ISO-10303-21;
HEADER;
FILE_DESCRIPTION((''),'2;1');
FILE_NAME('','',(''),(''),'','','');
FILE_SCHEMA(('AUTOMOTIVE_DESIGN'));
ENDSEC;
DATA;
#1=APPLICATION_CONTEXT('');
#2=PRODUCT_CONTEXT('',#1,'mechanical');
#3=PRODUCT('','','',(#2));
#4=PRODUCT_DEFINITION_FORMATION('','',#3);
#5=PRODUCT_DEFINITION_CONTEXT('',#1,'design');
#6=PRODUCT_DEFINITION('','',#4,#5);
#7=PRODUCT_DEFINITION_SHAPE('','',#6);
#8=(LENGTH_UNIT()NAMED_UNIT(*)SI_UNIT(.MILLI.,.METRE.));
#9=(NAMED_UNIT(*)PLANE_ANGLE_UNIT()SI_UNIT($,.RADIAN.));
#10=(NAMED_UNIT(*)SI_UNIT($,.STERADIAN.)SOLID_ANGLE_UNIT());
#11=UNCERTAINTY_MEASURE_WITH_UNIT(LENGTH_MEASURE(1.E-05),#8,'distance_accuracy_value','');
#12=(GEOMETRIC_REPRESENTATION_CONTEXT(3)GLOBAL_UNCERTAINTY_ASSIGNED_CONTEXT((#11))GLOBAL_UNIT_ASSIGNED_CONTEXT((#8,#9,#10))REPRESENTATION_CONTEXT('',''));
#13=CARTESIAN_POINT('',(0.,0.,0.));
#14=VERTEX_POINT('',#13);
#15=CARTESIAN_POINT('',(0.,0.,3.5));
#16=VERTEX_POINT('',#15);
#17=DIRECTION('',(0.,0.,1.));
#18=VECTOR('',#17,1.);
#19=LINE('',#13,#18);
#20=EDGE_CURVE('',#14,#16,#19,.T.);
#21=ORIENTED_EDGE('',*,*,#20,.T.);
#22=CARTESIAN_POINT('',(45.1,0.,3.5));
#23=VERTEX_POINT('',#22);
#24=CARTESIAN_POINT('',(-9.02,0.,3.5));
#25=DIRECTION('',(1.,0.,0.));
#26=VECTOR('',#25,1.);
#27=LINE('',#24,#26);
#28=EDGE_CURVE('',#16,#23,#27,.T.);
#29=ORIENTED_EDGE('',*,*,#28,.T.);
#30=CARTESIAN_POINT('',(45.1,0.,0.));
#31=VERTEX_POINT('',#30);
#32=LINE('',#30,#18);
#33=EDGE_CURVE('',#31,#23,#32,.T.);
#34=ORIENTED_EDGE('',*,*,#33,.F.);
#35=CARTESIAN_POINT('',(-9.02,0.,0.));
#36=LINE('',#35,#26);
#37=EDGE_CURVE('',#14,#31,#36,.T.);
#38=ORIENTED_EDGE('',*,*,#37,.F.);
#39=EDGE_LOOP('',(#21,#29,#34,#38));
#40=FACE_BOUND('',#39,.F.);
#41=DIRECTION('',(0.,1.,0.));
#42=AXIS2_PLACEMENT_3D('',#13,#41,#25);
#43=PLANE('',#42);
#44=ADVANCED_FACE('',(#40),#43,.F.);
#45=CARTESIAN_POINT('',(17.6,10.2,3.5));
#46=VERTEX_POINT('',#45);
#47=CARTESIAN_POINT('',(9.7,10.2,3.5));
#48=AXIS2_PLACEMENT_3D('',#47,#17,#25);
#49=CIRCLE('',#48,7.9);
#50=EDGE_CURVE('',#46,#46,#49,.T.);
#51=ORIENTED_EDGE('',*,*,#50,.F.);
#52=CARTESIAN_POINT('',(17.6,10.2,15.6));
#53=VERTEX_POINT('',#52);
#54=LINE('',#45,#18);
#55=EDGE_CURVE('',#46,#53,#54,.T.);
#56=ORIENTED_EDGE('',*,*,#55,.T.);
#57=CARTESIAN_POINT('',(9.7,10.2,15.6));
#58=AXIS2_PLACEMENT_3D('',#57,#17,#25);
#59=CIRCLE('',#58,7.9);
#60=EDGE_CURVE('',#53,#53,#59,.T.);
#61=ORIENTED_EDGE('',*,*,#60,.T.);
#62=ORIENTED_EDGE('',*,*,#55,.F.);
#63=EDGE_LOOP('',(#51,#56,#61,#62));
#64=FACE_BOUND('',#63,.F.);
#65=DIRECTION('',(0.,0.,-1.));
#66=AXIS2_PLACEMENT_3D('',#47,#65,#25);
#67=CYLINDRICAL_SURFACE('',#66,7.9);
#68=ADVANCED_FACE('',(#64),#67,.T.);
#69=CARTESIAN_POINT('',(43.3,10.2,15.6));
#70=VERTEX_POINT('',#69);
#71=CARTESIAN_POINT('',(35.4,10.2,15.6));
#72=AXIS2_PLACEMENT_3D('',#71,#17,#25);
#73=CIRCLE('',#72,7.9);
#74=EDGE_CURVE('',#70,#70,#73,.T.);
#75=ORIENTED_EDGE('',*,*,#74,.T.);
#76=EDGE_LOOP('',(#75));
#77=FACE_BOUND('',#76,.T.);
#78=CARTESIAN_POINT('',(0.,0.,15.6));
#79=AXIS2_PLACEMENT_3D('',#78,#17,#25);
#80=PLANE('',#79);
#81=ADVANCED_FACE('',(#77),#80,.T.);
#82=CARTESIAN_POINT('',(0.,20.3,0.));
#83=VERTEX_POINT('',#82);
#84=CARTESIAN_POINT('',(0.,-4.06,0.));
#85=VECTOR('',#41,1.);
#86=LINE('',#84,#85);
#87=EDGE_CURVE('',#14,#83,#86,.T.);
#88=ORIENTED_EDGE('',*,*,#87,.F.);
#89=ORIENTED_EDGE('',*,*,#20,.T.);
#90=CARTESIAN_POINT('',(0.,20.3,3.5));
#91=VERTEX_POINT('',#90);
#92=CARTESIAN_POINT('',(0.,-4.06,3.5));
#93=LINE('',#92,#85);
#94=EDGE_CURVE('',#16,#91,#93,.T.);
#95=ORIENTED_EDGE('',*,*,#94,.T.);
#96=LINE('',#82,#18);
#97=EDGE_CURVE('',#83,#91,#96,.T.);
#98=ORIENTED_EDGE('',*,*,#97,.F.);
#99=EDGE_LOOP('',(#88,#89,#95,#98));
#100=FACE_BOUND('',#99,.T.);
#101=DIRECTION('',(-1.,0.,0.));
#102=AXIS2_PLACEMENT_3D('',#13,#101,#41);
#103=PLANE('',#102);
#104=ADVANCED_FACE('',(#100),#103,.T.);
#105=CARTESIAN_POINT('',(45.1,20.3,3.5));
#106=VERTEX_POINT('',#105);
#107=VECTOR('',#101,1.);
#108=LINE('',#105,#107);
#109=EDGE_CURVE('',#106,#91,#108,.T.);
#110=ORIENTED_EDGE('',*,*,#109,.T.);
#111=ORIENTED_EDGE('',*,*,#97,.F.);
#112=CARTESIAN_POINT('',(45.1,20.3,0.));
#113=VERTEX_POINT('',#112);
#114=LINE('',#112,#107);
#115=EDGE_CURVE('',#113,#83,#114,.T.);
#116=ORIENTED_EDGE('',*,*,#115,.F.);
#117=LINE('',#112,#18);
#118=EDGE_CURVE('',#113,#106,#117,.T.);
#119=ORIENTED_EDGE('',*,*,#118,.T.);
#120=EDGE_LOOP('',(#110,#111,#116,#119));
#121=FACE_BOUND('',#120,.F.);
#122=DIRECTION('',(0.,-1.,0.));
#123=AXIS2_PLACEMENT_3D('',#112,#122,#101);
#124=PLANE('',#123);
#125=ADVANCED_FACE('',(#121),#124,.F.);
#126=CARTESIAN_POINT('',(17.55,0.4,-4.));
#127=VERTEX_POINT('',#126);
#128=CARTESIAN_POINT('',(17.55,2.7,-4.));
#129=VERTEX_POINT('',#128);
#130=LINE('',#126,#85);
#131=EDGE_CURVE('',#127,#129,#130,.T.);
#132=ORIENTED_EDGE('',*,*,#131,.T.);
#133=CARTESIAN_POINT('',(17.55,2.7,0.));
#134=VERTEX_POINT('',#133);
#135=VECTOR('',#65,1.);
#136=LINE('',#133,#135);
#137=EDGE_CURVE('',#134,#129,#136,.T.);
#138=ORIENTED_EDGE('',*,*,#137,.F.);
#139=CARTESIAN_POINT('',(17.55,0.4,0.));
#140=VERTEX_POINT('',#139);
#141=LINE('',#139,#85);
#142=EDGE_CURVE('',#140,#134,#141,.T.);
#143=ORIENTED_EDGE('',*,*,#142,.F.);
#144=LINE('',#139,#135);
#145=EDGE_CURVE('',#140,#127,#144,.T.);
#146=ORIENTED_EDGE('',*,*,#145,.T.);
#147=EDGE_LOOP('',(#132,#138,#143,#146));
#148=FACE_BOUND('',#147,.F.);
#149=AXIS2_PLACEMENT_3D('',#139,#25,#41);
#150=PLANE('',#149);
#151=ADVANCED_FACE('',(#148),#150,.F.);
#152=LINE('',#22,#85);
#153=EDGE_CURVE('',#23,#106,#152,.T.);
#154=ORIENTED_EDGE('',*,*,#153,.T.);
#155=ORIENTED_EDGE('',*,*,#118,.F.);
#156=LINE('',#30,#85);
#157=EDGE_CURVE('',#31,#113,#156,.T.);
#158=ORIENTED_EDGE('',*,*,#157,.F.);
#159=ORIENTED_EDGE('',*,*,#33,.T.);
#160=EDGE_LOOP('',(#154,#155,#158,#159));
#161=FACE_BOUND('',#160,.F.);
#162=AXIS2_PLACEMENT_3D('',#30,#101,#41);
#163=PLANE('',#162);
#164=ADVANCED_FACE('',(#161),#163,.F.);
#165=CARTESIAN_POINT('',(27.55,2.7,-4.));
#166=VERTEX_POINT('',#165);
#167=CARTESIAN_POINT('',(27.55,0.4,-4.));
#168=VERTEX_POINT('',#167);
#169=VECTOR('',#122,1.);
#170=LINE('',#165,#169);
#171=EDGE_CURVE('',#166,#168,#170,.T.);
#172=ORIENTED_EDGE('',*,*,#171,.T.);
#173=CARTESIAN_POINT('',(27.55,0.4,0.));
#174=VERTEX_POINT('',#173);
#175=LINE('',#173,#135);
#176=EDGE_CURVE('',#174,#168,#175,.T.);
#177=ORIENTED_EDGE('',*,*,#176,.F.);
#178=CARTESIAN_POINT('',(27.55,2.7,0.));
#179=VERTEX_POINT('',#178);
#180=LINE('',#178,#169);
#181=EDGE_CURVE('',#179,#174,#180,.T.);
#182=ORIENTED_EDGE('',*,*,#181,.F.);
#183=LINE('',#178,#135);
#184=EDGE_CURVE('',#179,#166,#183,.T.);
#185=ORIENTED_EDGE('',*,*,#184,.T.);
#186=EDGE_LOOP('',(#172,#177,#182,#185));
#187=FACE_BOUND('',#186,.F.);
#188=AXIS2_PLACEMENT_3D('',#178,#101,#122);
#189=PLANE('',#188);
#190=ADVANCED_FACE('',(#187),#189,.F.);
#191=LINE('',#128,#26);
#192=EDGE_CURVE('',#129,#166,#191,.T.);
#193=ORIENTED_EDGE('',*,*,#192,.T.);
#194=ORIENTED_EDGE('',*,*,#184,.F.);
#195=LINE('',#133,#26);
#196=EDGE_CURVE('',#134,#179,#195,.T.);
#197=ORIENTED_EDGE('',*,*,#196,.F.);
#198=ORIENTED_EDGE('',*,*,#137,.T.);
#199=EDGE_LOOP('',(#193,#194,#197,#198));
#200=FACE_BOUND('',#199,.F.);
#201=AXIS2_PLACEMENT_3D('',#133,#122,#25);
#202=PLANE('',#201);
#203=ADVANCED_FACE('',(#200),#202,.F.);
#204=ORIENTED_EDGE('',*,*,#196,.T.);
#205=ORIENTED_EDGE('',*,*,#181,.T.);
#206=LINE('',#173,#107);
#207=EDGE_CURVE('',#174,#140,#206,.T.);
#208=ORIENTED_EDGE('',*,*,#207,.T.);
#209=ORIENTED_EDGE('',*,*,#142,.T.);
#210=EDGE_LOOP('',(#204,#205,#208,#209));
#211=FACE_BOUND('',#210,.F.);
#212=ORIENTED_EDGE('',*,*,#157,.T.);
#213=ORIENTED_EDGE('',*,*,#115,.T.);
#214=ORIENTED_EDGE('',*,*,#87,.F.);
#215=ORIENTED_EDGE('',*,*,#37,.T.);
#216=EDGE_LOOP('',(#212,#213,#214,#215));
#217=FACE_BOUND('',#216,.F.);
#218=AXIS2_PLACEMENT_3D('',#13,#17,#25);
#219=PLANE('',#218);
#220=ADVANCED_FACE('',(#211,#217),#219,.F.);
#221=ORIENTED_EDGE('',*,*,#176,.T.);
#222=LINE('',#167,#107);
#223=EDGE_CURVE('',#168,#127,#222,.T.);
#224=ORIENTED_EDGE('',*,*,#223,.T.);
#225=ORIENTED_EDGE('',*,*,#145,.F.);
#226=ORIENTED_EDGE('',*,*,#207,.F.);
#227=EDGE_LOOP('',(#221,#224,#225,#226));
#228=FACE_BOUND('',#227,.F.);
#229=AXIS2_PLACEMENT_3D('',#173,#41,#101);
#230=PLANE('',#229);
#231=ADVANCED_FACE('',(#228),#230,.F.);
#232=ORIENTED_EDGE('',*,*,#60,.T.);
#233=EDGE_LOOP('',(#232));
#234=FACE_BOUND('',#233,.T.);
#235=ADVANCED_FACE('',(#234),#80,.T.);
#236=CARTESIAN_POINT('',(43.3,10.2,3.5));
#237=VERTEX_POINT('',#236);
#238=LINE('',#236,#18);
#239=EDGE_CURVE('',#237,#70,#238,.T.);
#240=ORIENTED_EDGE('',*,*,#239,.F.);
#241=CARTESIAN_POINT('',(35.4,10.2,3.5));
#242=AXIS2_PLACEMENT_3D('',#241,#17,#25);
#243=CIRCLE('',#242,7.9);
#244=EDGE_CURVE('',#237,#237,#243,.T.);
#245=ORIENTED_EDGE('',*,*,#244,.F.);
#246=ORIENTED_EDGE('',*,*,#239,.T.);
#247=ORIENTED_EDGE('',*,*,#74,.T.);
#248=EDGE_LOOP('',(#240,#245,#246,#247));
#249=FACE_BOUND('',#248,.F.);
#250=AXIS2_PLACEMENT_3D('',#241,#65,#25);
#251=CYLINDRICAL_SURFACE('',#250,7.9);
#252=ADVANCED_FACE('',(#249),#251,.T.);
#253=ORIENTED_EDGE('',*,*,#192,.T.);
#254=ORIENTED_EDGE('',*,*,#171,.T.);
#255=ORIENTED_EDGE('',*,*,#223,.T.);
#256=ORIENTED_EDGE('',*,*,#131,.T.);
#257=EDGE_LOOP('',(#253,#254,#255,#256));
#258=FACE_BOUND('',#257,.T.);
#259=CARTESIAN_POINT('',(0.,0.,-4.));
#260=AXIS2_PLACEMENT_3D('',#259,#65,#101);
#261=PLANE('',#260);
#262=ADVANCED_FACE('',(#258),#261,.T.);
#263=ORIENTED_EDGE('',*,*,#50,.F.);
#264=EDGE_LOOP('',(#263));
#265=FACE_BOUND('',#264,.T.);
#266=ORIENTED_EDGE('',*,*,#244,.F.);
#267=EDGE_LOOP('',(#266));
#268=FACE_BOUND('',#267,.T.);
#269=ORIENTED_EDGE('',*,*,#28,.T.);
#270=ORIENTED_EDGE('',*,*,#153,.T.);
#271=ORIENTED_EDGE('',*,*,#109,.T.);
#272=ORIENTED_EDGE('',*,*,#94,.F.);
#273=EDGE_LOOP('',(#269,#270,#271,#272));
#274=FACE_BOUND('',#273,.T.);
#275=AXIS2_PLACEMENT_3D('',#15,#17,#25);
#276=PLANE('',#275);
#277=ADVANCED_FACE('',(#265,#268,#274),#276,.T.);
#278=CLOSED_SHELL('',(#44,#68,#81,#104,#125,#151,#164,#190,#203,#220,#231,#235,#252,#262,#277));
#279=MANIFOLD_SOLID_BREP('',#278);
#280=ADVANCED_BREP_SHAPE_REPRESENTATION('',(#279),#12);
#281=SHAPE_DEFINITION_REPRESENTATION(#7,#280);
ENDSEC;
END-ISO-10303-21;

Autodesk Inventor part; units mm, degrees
ref_plane "YZ Plane" through (0, 0, 0) normal (1, 0, 0) x (0, 1, 0)
ref_plane "XZ Plane" through (0, 0, 0) normal (0, 1, 0) x (-1, 0, 0)
ref_plane "XY Plane" through (0, 0, 0) normal (0, 0, 1) x (1, 0, 0)
sketch "Skizze1" plane through (0, 0, 0) normal (0, 0, 1) x (1, 0, 0)
  line L0 (-9.02, 0) -> (54.12, 0) projected
  line L1 (0, -4.06) -> (0, 24.36) projected
  line L2 (0, 0) -> (45.1, 0)
  line L3 (45.1, 0) -> (45.1, 20.3)
  line L4 (45.1, 20.3) -> (0, 20.3)
  line L5 (0, 20.3) -> (0, 0)
  point P0 (0, 20.3)
  dimension "d0" = 20.3
  dimension "d1" = 45.1
extrude "Extrusion1" add sketch "Skizze1" along normal blind 3.5
sketch "Skizze2" plane through (0, 0, 3.5) normal (0, 0, 1) x (1, 0, 0)
  circle A0 centre (35.4, 10.2) radius 7.9
  circle A1 centre (9.7, 10.2) radius 7.9
  line L0 (0, 20.3) -> (0, 0) projected
  line L1 (0, 0) -> (45.1, 0) projected
  dimension "d4" = 15.8
  dimension "d5" = 15.8
  dimension "d6" = 25.7
  dimension "d8" = 9.7
  dimension "d9" = 10.2
  dimension "d10" = 10.2
extrude "Extrusion2" add sketch "Skizze2" along normal blind 12.1
sketch "Skizze3" plane through (0, 0, 0) normal (0, 0, -1) x (-1, 0, 0)
  line L0 (-17.55, 2.7) -> (-27.55, 2.7)
  line L1 (-27.55, 2.7) -> (-27.55, 0.4)
  line L2 (-27.55, 0.4) -> (-17.55, 0.4)
  line L3 (-17.55, 0.4) -> (-17.55, 2.7)
  line L4 (0, 0) -> (-45.1, 0) projected
  line L5 (-45.1, 0) -> (-45.1, 20.3) projected
  dimension "d13" = 2.7
  dimension "d14" = 2.3
  dimension "d17" = 10
  dimension "d18" = 17.55
extrude "Extrusion3" add sketch "Skizze3" along normal blind 4
properties part number "Sensor_Dummy"
